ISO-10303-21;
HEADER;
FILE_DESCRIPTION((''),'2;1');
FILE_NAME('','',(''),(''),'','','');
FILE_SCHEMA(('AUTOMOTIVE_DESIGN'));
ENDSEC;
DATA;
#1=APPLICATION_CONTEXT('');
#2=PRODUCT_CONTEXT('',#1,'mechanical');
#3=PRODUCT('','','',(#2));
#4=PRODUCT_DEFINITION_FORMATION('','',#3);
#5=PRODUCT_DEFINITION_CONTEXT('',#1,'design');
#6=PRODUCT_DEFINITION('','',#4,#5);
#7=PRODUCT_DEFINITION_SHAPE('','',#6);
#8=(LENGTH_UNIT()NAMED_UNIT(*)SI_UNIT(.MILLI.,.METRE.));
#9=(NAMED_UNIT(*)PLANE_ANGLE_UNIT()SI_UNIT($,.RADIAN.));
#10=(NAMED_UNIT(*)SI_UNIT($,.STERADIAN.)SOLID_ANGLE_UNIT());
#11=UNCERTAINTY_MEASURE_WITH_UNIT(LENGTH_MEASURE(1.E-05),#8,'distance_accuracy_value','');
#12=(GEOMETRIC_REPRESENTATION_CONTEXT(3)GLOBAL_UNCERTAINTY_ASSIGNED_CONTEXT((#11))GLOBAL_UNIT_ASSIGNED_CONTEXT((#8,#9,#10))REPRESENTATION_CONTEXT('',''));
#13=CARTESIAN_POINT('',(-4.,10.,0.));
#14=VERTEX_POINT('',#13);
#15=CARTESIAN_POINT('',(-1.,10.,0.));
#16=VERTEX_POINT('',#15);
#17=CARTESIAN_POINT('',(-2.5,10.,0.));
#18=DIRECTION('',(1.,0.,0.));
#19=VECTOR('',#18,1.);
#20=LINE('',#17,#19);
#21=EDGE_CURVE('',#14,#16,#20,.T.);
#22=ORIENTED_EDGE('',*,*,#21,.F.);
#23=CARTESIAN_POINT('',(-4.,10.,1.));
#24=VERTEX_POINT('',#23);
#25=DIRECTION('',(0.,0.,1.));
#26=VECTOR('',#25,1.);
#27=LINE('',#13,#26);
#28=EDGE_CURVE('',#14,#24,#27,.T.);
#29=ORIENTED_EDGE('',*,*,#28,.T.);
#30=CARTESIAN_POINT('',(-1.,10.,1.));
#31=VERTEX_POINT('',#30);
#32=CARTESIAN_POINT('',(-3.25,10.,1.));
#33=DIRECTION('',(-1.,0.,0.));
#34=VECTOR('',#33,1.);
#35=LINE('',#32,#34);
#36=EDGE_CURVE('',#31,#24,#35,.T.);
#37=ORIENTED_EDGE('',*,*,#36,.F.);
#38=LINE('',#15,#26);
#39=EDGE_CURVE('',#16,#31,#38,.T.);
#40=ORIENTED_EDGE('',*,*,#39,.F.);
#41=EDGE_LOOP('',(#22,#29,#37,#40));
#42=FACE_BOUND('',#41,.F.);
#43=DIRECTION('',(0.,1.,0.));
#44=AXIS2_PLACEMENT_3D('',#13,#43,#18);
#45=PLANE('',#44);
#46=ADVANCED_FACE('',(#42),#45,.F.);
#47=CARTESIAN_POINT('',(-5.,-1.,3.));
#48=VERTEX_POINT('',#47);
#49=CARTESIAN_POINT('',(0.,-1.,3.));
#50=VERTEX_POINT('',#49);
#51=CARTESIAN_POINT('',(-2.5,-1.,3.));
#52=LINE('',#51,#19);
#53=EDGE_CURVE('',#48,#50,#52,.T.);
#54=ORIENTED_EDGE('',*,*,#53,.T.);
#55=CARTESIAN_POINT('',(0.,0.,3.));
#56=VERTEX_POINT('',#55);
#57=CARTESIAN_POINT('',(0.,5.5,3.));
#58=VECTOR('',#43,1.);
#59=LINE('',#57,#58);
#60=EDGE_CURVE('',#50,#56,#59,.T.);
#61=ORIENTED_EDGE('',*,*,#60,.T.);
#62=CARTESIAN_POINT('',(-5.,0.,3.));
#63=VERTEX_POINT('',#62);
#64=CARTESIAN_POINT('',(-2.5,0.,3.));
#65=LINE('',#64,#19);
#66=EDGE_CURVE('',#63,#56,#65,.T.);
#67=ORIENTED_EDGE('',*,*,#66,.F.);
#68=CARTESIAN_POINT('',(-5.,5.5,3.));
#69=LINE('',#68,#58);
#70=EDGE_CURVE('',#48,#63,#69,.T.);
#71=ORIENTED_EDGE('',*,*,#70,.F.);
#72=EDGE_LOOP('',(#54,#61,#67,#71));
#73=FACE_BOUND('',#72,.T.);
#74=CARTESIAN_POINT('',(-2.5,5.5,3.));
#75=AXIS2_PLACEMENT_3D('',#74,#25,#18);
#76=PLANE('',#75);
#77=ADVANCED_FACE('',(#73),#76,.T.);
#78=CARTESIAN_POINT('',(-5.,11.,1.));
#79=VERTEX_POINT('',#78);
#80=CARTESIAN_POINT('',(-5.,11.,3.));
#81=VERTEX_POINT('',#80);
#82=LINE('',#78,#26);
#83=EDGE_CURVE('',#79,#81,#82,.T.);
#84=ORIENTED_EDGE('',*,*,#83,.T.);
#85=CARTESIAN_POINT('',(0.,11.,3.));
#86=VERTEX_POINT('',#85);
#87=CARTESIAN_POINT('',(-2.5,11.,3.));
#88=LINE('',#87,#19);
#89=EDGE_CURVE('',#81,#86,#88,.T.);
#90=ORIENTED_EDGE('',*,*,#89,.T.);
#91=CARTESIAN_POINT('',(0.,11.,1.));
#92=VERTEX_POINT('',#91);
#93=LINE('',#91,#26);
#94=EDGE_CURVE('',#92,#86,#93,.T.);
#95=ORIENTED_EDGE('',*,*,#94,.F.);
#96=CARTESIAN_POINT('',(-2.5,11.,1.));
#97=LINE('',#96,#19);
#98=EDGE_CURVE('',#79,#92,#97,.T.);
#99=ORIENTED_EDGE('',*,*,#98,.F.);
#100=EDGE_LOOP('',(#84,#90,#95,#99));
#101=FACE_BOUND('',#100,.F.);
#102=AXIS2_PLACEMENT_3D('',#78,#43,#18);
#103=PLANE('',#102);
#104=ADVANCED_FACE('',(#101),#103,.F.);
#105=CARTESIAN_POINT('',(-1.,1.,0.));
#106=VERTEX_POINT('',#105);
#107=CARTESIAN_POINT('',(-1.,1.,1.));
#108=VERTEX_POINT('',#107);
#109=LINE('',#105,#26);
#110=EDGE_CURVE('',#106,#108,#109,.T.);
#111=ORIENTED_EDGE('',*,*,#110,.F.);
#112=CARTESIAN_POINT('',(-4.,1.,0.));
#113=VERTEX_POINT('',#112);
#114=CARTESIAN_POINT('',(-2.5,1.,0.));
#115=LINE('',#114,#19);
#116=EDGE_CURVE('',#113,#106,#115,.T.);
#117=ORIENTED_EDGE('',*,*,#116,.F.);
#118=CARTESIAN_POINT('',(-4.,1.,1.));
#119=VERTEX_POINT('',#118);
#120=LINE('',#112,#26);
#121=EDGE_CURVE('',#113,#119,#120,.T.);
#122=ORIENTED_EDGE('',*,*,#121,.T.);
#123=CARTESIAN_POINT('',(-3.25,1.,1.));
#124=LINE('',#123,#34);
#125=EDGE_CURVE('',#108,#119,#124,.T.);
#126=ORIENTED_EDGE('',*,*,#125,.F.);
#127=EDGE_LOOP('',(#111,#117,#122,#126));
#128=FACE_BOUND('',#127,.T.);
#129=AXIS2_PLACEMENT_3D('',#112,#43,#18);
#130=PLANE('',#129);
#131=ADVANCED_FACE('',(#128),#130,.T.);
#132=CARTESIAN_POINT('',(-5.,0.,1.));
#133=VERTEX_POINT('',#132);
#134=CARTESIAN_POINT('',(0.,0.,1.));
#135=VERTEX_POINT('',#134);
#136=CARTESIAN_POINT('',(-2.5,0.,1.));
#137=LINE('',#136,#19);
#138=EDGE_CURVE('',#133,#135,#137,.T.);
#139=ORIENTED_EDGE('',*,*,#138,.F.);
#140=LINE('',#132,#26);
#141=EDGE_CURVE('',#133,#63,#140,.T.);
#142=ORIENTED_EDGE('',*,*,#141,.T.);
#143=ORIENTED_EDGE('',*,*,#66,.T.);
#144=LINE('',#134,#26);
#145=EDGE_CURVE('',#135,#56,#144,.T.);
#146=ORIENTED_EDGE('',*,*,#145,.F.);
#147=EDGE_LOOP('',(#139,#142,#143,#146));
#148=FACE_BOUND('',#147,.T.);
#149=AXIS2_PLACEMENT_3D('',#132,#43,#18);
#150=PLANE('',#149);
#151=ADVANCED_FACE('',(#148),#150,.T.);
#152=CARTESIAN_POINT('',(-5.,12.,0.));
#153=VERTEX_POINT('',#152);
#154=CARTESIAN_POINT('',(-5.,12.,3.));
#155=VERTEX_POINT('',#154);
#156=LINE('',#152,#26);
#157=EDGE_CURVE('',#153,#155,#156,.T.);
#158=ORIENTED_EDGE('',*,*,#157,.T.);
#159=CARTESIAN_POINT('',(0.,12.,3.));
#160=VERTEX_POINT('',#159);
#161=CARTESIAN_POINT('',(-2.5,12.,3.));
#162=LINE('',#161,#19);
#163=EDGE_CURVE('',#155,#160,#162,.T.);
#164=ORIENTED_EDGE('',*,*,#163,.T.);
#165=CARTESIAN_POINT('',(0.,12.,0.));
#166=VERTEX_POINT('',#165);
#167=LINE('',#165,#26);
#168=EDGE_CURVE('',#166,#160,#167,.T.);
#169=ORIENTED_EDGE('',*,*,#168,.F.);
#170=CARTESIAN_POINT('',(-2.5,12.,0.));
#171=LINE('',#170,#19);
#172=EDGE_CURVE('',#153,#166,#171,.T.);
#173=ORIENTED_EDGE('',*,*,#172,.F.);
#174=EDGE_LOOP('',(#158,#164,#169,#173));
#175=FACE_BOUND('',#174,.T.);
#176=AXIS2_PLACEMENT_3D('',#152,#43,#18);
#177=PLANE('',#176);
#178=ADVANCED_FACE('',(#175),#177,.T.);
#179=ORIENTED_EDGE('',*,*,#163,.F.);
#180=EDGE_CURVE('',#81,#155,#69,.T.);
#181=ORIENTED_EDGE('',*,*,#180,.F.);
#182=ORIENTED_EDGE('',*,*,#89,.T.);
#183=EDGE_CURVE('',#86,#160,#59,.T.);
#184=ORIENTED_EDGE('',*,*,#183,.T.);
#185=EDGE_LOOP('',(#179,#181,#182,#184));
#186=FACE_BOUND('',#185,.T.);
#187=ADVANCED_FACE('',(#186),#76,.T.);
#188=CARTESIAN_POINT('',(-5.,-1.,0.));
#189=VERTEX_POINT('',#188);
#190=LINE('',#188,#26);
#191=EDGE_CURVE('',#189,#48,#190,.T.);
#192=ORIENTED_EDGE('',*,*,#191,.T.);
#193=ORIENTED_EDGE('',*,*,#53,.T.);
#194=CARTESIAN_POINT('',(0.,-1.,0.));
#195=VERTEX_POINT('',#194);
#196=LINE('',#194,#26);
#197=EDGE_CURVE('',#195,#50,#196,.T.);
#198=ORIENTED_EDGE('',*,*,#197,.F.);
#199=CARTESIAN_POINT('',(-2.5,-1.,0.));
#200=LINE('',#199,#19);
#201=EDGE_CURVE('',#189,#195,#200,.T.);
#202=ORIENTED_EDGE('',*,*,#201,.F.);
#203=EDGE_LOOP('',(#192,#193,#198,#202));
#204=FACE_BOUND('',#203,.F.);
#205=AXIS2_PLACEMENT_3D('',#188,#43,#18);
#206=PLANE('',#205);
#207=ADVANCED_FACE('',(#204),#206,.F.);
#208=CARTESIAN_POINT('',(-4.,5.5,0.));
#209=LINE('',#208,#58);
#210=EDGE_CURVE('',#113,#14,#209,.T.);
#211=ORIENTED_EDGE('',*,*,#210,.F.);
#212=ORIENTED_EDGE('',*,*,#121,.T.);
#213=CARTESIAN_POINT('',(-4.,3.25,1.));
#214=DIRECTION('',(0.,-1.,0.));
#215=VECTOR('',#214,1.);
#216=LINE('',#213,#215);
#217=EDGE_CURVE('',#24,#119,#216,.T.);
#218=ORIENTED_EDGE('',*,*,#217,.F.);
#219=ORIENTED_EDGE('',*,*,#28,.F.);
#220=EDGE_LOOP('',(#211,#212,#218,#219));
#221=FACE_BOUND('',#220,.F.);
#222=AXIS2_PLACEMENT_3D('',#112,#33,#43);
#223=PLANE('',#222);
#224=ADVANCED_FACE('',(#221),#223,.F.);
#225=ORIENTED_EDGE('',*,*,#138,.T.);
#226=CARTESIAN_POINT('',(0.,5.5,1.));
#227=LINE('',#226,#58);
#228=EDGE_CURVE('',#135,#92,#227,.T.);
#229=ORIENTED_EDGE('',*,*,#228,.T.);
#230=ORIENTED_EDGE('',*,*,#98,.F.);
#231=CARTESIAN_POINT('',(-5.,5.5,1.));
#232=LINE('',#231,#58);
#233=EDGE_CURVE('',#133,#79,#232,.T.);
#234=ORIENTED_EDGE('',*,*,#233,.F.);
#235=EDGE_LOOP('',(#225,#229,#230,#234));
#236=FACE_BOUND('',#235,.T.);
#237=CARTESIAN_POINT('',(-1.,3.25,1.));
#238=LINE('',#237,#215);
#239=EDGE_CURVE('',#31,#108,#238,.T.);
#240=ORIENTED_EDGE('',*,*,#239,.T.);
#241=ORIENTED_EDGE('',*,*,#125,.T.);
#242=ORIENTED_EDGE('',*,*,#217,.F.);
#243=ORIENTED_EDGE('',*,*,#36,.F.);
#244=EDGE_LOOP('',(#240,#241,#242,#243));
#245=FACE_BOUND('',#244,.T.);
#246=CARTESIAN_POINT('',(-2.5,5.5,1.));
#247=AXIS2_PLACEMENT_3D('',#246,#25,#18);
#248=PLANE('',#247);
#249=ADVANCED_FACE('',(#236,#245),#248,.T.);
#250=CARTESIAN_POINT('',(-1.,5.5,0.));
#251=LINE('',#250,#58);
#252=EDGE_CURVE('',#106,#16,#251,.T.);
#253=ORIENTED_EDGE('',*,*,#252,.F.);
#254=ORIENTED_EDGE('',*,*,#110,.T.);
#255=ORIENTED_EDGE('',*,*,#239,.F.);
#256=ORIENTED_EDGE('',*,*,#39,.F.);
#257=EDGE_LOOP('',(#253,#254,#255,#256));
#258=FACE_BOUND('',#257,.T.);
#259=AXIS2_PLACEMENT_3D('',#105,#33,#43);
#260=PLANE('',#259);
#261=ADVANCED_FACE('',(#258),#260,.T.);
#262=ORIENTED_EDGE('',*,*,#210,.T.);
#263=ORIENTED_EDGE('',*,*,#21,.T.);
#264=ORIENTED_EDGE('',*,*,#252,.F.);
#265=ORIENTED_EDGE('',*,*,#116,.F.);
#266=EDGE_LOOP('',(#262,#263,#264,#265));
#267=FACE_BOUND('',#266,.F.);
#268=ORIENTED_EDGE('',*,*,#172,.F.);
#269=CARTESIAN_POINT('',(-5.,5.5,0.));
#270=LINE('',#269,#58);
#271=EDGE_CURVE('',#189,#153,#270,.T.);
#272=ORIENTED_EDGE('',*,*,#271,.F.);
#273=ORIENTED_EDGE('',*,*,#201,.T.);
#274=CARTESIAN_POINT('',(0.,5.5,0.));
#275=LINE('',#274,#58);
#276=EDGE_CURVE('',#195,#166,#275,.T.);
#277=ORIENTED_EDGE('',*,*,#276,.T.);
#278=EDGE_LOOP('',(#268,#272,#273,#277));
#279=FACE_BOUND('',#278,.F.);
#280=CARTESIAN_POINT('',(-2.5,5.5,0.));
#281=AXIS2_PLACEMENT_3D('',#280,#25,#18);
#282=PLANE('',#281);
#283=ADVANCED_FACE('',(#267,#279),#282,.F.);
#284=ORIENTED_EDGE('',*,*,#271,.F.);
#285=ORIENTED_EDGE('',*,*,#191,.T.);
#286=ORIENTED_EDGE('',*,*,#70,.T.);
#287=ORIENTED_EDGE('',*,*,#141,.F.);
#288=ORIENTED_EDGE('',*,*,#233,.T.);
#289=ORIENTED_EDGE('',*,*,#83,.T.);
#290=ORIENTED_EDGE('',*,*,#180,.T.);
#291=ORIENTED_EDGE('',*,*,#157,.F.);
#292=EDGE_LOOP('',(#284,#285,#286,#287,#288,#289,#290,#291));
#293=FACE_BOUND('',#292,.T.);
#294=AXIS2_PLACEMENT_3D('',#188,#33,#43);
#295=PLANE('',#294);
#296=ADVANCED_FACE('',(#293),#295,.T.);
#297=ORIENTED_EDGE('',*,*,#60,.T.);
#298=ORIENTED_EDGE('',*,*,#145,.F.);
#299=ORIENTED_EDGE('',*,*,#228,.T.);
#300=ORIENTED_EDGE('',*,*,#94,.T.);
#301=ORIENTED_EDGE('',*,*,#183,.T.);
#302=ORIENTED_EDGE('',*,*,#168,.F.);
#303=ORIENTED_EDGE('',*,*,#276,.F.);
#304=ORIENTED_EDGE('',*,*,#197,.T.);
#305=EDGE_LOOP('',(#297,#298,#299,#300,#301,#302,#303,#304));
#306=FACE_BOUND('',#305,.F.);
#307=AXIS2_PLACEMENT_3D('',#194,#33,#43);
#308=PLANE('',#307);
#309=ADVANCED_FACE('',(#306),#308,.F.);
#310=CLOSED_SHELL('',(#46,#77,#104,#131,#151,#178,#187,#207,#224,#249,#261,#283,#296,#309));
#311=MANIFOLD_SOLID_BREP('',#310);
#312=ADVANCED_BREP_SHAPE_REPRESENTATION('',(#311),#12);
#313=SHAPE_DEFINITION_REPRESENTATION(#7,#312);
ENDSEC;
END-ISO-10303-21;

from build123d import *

# Parameters (mm, degrees)
BOX005_W     = 3
BOX005_H     = 9
BOX005_DEPTH = 10
BOX004_W     = 5
BOX004_H     = 11
BOX004_DEPTH = 2
BOX003_W     = 5
BOX003_H     = 13
BOX003_DEPTH = 3


with BuildPart() as cube005:
    # Box005 → Box005 (new body)
    with BuildSketch(Plane(origin=(-4, 1, -1), x_dir=(1, 0, 0), z_dir=(0, 0, 1))):
        with Locations((1.5, 4.5)):
            Rectangle(BOX005_W, BOX005_H)
    extrude(amount=BOX005_DEPTH)


with BuildPart() as cube004:
    # Box004 → Box004 (new body)
    with BuildSketch(Plane(origin=(-5, 0, 0), x_dir=(1, 0, 0), z_dir=(0, 0, 1))):
        with Locations((2.5, 5.5)):
            Rectangle(BOX004_W, BOX004_H)
    extrude(amount=BOX004_DEPTH)


with BuildPart() as cut003:
    # Box003 → Box003 (new body)
    with BuildSketch(Plane(origin=(-5, -1, -1), x_dir=(1, 0, 0), z_dir=(0, 0, 1))):
        with Locations((2.5, 6.5)):
            Rectangle(BOX003_W, BOX003_H)
    extrude(amount=BOX003_DEPTH)

    # Cut002: cut Cube004
    add(cube004.part, mode=Mode.SUBTRACT)

    # Cut003: cut Cube005
    add(cube005.part, mode=Mode.SUBTRACT)


with BuildPart() as cut003_1:
    # Cut003 placement: moved
    add(cut003.part.moved(Location((0, 0, 1))))


solid = cut003_1.part
